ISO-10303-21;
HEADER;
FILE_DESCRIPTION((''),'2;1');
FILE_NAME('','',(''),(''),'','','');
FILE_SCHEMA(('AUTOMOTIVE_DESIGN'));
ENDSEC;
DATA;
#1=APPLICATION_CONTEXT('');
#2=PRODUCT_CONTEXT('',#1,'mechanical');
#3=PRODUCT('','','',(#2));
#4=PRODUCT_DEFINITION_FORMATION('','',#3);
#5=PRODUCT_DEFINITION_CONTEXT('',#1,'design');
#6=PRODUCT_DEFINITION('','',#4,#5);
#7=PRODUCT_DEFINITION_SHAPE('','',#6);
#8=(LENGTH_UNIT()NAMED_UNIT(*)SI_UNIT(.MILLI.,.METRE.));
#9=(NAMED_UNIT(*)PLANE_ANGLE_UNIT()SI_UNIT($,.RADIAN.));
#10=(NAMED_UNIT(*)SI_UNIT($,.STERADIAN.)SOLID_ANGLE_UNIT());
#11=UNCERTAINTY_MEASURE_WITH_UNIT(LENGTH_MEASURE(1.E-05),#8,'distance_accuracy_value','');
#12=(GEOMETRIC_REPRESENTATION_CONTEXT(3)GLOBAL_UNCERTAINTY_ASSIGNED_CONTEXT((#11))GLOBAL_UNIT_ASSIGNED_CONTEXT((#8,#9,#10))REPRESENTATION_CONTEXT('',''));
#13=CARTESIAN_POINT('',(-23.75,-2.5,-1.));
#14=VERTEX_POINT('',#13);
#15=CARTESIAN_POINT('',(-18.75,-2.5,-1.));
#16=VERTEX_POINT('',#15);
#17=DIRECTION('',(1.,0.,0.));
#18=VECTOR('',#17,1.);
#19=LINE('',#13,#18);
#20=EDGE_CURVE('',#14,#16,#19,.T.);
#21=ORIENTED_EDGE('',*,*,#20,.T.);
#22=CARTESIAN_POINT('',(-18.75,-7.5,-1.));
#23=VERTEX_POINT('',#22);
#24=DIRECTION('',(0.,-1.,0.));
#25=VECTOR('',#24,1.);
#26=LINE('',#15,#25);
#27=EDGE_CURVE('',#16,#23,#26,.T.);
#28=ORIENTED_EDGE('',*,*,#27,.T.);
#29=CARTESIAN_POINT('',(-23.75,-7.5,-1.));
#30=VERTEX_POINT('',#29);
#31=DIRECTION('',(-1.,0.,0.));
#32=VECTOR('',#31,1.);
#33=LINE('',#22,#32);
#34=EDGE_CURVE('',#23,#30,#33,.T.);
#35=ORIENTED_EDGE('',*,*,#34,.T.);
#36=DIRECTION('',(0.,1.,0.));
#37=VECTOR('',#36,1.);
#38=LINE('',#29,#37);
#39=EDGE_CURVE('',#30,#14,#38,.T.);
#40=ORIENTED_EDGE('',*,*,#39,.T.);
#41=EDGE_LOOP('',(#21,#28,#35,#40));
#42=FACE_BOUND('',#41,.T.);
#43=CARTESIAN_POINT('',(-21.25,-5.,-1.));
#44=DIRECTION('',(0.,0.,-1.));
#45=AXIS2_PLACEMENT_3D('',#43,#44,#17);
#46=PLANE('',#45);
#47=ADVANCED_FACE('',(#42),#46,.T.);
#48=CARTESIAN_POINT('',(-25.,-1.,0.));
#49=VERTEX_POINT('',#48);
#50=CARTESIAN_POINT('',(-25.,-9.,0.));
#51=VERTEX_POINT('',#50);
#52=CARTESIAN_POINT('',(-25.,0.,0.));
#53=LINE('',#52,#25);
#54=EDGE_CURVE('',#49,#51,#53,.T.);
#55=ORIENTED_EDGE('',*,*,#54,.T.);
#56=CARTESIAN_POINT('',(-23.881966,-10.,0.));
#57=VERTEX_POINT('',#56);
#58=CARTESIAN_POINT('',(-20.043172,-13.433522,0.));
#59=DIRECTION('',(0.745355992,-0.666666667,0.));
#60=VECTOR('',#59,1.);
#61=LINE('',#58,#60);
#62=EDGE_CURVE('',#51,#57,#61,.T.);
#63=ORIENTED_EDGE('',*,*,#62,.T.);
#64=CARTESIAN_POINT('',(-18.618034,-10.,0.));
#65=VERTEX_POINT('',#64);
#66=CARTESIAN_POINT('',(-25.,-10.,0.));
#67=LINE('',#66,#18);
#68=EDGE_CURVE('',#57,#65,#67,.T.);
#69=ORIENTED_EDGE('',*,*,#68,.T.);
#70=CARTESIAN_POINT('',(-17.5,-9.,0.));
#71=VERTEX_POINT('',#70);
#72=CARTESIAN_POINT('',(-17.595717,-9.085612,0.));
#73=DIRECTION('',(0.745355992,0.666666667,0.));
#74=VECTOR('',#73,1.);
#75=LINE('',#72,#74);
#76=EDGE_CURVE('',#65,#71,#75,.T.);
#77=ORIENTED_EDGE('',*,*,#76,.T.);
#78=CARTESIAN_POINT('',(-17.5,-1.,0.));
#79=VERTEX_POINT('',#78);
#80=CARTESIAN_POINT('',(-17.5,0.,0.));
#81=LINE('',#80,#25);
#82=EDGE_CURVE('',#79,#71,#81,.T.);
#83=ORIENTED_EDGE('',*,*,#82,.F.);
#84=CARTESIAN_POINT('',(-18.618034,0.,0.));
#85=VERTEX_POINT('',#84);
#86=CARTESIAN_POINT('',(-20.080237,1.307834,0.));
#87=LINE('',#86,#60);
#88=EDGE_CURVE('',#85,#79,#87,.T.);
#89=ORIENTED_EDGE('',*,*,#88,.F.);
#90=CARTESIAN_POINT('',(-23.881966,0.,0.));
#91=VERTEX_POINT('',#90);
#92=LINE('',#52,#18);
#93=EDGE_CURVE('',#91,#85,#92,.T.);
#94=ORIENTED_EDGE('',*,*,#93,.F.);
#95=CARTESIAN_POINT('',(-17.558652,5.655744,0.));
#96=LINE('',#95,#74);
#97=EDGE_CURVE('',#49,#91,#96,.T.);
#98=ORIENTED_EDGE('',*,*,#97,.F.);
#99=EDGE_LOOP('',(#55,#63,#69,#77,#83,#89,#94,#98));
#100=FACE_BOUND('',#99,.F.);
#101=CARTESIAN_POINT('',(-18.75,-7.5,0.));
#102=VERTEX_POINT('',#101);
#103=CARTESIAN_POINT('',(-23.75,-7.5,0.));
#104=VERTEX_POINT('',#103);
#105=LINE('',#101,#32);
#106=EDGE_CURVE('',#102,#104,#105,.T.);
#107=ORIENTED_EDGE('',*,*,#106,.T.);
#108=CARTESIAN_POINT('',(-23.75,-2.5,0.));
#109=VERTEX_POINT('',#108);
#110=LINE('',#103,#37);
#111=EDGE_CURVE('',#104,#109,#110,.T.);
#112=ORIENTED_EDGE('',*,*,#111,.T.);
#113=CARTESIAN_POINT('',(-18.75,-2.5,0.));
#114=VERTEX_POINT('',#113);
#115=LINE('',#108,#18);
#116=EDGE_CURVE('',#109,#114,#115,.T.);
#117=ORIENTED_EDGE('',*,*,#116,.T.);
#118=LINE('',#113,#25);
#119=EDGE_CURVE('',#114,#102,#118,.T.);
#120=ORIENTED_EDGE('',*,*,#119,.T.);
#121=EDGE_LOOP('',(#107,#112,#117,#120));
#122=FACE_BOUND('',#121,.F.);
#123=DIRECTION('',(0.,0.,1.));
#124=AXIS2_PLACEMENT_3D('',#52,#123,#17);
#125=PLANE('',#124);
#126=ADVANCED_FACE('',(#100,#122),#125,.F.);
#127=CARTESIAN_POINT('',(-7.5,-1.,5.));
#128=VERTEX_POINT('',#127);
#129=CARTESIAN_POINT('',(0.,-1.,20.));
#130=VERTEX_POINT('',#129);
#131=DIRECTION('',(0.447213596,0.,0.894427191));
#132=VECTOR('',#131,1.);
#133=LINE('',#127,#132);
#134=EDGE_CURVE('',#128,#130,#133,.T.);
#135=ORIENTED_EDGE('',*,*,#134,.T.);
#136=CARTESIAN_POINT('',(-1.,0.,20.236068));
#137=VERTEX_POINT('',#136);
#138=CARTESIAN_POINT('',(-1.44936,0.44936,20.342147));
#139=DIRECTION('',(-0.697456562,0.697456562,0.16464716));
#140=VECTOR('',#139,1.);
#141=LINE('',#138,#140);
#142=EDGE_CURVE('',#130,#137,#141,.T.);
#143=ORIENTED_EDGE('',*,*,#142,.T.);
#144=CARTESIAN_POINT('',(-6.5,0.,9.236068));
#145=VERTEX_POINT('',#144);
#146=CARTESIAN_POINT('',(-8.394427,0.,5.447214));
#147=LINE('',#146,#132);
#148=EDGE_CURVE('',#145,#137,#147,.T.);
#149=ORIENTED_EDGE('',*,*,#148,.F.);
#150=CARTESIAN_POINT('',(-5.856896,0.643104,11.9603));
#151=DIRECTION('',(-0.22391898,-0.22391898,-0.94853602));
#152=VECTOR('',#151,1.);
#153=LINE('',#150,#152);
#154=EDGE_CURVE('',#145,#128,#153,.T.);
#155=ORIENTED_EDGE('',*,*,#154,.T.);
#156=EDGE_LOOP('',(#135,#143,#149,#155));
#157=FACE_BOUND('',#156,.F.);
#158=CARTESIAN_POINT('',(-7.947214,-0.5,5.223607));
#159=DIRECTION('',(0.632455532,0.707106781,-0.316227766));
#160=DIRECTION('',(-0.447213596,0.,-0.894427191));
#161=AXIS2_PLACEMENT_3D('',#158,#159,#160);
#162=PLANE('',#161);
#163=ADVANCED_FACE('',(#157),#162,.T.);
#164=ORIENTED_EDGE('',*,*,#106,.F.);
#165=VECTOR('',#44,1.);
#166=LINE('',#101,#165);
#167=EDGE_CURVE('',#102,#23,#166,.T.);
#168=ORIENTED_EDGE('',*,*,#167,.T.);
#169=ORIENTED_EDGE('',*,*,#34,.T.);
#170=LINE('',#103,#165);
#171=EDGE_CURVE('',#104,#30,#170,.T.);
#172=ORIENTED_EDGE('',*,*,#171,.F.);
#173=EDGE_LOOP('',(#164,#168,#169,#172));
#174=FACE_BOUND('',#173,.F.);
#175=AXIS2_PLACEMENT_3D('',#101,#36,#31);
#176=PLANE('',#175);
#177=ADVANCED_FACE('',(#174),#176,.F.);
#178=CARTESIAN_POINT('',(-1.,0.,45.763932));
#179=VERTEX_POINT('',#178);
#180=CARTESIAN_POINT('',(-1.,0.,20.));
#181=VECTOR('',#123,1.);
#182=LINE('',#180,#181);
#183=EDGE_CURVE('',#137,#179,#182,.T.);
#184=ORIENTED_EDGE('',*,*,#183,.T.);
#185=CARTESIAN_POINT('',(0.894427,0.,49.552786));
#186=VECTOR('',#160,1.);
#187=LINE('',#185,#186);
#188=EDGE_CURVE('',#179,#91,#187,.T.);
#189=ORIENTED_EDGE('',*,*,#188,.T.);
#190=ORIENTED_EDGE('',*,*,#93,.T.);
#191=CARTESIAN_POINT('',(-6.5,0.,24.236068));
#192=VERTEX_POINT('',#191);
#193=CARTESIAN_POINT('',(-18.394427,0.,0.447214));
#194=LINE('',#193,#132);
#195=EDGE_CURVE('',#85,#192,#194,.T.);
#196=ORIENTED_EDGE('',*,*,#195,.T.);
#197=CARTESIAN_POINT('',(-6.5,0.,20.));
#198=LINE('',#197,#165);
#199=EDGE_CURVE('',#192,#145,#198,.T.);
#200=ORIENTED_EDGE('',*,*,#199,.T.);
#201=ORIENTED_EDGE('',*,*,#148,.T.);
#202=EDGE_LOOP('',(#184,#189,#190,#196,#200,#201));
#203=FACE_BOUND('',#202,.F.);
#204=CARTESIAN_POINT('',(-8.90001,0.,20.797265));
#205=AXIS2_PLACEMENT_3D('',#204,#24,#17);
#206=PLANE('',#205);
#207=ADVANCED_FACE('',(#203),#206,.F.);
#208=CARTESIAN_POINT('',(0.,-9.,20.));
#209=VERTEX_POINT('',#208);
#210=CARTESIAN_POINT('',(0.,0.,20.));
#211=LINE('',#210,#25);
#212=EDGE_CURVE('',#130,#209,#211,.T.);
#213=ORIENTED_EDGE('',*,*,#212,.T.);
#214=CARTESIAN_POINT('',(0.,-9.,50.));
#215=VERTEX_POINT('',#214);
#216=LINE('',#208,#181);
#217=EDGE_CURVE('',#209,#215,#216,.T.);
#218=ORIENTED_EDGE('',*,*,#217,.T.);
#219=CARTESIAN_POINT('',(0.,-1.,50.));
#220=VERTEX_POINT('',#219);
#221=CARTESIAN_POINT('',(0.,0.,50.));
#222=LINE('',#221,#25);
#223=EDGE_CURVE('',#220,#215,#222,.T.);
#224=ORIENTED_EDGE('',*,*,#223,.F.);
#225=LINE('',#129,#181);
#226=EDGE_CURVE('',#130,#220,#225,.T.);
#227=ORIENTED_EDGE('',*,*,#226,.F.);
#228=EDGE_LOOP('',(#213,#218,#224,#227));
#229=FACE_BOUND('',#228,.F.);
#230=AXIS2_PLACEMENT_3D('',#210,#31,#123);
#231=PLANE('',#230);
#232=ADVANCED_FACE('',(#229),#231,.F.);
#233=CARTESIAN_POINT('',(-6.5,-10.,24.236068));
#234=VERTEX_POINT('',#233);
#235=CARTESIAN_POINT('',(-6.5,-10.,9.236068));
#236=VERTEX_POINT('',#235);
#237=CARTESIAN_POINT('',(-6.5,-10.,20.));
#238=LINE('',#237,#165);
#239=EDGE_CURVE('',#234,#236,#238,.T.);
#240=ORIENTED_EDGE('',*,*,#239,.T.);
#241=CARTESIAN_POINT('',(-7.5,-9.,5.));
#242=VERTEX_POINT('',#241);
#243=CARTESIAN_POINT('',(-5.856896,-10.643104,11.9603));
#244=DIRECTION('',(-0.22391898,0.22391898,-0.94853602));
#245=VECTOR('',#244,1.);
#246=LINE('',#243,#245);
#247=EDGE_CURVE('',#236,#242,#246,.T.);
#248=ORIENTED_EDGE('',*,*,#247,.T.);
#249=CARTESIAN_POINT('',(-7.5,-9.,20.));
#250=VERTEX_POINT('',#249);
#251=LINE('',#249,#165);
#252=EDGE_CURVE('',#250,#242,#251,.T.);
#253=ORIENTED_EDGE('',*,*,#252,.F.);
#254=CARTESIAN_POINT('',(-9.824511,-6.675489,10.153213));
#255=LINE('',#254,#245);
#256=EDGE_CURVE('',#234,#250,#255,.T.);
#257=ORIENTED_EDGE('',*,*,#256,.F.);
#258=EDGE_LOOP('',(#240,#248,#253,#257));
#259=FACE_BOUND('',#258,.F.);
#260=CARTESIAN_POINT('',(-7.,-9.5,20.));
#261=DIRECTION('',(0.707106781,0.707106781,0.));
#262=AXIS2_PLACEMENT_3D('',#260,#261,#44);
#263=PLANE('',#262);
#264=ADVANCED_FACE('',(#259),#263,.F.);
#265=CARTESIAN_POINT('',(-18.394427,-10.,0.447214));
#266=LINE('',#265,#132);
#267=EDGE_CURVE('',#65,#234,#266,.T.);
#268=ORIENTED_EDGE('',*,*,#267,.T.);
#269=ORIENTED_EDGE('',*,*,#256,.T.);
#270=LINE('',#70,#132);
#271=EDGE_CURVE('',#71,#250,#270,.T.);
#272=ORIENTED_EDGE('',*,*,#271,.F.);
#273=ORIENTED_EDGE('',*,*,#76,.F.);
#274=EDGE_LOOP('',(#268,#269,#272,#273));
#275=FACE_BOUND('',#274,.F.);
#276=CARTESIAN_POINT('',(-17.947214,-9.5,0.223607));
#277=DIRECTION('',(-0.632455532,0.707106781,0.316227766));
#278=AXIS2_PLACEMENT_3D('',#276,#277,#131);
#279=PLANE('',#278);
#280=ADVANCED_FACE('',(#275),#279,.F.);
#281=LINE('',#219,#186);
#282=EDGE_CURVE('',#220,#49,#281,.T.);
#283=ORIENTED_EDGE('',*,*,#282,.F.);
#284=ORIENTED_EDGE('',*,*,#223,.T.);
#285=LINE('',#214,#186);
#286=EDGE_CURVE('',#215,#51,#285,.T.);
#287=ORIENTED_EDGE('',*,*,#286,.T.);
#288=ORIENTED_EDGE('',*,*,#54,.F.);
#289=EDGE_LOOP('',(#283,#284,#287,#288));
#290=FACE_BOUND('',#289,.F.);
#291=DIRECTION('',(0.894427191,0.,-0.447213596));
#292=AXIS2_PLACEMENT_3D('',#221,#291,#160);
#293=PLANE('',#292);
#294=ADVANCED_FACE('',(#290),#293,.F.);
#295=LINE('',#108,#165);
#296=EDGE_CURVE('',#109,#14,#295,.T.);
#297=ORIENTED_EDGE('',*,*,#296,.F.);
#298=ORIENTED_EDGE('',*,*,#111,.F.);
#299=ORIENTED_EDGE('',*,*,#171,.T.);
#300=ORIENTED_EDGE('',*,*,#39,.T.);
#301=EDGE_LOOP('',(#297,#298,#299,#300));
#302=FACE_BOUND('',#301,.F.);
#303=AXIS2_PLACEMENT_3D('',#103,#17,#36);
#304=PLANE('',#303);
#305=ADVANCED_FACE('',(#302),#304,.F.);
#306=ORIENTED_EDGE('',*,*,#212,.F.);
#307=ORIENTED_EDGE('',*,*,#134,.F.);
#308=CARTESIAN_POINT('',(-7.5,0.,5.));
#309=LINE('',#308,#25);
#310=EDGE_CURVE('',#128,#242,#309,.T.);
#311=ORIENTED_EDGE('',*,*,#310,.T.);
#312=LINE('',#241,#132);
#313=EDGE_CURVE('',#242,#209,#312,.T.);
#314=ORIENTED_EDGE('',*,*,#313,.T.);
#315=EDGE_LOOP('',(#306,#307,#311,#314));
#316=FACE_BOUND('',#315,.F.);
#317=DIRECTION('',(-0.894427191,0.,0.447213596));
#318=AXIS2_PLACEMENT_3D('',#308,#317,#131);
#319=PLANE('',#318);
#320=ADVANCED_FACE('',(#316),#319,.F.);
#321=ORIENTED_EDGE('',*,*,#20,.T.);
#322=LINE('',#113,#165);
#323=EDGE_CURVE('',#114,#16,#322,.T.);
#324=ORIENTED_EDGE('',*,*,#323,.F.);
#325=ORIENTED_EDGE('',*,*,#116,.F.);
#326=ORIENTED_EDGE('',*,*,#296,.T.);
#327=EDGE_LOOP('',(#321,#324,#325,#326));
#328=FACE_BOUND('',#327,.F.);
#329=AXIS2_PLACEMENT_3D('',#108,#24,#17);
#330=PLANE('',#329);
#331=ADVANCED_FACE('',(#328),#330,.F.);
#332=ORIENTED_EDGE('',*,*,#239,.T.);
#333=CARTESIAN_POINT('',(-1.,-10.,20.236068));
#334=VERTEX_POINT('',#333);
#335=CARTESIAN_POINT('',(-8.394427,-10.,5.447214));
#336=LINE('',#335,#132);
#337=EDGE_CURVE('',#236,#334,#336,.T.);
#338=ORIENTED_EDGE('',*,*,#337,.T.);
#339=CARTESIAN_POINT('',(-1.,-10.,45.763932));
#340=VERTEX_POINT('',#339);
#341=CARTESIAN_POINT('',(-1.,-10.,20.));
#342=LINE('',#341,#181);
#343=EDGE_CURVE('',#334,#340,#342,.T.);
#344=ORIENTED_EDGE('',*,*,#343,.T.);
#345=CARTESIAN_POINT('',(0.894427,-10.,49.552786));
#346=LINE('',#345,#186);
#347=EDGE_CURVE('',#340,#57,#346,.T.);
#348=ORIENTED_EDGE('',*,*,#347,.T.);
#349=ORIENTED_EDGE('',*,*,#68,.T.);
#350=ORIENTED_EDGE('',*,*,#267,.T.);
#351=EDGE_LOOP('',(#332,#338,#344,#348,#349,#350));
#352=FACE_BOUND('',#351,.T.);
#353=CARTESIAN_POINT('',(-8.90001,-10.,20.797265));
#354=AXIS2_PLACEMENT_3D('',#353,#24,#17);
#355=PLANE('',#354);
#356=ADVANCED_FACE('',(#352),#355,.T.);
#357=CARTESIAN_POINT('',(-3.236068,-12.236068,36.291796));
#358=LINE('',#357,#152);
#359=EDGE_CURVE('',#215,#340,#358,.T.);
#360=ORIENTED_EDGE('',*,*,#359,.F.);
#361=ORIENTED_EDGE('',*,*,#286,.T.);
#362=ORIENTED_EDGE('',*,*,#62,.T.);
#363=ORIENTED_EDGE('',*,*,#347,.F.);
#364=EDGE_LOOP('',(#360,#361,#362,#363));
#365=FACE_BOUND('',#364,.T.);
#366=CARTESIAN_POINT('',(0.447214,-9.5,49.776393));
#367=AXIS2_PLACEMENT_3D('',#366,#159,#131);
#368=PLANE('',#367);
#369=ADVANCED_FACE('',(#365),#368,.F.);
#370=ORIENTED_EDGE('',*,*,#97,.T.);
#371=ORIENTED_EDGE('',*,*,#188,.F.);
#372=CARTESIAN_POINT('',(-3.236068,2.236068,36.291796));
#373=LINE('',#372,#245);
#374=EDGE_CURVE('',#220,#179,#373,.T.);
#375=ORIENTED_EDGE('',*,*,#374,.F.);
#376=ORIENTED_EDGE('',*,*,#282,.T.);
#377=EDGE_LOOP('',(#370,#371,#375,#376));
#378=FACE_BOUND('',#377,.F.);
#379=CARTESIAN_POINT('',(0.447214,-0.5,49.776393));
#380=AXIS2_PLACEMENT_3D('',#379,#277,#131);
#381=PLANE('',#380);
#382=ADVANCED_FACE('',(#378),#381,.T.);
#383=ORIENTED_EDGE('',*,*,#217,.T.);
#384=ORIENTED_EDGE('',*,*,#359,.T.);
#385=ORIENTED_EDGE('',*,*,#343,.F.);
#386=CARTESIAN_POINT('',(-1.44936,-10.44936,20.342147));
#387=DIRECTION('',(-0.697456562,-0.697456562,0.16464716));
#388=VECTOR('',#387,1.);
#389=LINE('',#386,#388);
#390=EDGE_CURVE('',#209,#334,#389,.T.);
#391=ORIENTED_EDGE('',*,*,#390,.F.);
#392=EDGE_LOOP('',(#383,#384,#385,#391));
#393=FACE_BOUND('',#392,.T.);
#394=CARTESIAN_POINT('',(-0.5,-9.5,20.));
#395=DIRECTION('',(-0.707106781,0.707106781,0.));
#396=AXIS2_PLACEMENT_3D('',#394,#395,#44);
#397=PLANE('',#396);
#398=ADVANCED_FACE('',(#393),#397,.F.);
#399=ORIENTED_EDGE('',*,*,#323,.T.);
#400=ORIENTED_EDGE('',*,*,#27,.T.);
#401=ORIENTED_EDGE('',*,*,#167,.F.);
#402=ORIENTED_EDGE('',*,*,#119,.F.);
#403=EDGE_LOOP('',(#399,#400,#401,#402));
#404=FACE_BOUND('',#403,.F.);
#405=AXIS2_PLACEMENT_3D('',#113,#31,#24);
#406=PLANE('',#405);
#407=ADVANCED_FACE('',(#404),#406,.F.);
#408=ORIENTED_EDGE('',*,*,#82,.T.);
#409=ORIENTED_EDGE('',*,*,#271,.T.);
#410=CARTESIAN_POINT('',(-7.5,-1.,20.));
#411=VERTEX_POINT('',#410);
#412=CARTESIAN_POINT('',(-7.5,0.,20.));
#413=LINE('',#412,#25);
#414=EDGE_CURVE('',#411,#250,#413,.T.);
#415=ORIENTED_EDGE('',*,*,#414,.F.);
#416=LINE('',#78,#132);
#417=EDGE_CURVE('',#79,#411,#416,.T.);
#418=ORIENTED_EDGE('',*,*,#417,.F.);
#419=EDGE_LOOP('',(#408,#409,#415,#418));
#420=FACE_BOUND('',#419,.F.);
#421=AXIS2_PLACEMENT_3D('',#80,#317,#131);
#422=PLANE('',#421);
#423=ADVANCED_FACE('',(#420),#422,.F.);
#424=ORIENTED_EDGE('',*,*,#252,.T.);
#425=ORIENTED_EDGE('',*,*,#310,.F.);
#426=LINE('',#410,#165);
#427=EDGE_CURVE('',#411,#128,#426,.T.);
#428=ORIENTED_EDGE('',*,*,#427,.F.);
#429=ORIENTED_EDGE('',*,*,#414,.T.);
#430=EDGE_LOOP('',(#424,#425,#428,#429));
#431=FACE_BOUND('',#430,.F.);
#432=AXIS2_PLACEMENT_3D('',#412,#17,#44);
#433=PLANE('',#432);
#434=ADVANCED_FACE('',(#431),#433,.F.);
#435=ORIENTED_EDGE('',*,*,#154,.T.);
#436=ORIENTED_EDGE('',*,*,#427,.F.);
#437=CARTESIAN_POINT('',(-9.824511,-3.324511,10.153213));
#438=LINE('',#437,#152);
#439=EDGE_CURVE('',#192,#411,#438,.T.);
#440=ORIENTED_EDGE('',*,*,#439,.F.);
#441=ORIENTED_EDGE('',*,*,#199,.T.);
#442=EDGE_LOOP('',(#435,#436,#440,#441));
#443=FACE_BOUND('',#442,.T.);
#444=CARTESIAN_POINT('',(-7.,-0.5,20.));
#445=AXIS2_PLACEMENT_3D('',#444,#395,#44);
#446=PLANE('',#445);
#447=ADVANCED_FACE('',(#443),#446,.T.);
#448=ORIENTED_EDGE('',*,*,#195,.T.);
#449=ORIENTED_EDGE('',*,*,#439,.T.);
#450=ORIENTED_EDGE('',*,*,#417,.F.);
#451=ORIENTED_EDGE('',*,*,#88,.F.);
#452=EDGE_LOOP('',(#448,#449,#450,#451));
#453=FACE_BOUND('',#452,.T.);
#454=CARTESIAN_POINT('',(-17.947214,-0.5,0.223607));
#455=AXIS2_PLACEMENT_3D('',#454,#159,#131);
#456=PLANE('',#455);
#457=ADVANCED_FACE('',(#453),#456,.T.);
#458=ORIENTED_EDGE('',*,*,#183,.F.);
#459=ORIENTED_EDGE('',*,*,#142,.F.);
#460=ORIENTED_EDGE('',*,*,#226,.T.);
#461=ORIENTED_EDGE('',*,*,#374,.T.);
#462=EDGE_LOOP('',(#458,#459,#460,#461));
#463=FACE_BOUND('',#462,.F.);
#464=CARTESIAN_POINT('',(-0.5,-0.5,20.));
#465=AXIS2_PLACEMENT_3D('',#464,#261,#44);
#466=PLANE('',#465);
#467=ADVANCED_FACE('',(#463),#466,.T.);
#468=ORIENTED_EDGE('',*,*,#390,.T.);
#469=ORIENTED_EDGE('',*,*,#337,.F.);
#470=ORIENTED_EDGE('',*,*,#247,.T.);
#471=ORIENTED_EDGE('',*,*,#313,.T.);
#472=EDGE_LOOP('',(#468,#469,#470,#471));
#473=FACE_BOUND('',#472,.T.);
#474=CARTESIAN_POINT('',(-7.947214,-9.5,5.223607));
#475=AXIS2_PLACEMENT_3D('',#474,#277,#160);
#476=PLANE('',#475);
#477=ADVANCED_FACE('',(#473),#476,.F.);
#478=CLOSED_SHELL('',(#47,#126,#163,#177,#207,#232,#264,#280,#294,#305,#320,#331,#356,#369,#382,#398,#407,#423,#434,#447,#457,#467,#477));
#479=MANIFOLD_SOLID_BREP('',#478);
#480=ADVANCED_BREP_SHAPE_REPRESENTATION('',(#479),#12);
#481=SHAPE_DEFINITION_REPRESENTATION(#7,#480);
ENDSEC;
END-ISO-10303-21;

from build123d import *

# Parameters (mm, degrees)
F1_DEPTH = 10
F3_DEPTH = 1
F4_SIZE  = 1


with BuildPart() as f1:
    # F0 (on Front) → F1 (new body)
    with BuildSketch(Plane.XZ):
        Polygon((0, 20), (0, 50), (-25, 0), (-17.5, 0), (-7.5, 20), (-7.5, 5), align=None)
    extrude(amount=F1_DEPTH)

    # F2 (on face) → F3 (join)
    with BuildSketch(Plane(origin=(0, 0, 0), x_dir=(1, 0, 0), z_dir=(0, 0, -1))):
        Polygon((-21.25, 7.5), (-23.75, 7.5), (-23.75, 5), (-23.75, 2.5), (-21.25, 2.5), (-18.75, 2.5), (-18.75, 5), (-18.75, 7.5), align=None)
    extrude(amount=F3_DEPTH)

    # F4
    f4_edges = [f1.edges().sort_by_distance(p)[0] for p in [
        (-12.5, -10, 25),
        (0, -10, 35),
        (-12.5, 0, 25),
        (0, 0, 35),
        (-12.5, -10, 10),
        (-7.5, -10, 12.5),
        (-12.5, 0, 10),
        (-7.5, 0, 12.5),
        (-3.75, -10, 12.5),
        (-3.75, 0, 12.5),
    ]]
    chamfer(f4_edges, length=F4_SIZE)


solid = f1.part
